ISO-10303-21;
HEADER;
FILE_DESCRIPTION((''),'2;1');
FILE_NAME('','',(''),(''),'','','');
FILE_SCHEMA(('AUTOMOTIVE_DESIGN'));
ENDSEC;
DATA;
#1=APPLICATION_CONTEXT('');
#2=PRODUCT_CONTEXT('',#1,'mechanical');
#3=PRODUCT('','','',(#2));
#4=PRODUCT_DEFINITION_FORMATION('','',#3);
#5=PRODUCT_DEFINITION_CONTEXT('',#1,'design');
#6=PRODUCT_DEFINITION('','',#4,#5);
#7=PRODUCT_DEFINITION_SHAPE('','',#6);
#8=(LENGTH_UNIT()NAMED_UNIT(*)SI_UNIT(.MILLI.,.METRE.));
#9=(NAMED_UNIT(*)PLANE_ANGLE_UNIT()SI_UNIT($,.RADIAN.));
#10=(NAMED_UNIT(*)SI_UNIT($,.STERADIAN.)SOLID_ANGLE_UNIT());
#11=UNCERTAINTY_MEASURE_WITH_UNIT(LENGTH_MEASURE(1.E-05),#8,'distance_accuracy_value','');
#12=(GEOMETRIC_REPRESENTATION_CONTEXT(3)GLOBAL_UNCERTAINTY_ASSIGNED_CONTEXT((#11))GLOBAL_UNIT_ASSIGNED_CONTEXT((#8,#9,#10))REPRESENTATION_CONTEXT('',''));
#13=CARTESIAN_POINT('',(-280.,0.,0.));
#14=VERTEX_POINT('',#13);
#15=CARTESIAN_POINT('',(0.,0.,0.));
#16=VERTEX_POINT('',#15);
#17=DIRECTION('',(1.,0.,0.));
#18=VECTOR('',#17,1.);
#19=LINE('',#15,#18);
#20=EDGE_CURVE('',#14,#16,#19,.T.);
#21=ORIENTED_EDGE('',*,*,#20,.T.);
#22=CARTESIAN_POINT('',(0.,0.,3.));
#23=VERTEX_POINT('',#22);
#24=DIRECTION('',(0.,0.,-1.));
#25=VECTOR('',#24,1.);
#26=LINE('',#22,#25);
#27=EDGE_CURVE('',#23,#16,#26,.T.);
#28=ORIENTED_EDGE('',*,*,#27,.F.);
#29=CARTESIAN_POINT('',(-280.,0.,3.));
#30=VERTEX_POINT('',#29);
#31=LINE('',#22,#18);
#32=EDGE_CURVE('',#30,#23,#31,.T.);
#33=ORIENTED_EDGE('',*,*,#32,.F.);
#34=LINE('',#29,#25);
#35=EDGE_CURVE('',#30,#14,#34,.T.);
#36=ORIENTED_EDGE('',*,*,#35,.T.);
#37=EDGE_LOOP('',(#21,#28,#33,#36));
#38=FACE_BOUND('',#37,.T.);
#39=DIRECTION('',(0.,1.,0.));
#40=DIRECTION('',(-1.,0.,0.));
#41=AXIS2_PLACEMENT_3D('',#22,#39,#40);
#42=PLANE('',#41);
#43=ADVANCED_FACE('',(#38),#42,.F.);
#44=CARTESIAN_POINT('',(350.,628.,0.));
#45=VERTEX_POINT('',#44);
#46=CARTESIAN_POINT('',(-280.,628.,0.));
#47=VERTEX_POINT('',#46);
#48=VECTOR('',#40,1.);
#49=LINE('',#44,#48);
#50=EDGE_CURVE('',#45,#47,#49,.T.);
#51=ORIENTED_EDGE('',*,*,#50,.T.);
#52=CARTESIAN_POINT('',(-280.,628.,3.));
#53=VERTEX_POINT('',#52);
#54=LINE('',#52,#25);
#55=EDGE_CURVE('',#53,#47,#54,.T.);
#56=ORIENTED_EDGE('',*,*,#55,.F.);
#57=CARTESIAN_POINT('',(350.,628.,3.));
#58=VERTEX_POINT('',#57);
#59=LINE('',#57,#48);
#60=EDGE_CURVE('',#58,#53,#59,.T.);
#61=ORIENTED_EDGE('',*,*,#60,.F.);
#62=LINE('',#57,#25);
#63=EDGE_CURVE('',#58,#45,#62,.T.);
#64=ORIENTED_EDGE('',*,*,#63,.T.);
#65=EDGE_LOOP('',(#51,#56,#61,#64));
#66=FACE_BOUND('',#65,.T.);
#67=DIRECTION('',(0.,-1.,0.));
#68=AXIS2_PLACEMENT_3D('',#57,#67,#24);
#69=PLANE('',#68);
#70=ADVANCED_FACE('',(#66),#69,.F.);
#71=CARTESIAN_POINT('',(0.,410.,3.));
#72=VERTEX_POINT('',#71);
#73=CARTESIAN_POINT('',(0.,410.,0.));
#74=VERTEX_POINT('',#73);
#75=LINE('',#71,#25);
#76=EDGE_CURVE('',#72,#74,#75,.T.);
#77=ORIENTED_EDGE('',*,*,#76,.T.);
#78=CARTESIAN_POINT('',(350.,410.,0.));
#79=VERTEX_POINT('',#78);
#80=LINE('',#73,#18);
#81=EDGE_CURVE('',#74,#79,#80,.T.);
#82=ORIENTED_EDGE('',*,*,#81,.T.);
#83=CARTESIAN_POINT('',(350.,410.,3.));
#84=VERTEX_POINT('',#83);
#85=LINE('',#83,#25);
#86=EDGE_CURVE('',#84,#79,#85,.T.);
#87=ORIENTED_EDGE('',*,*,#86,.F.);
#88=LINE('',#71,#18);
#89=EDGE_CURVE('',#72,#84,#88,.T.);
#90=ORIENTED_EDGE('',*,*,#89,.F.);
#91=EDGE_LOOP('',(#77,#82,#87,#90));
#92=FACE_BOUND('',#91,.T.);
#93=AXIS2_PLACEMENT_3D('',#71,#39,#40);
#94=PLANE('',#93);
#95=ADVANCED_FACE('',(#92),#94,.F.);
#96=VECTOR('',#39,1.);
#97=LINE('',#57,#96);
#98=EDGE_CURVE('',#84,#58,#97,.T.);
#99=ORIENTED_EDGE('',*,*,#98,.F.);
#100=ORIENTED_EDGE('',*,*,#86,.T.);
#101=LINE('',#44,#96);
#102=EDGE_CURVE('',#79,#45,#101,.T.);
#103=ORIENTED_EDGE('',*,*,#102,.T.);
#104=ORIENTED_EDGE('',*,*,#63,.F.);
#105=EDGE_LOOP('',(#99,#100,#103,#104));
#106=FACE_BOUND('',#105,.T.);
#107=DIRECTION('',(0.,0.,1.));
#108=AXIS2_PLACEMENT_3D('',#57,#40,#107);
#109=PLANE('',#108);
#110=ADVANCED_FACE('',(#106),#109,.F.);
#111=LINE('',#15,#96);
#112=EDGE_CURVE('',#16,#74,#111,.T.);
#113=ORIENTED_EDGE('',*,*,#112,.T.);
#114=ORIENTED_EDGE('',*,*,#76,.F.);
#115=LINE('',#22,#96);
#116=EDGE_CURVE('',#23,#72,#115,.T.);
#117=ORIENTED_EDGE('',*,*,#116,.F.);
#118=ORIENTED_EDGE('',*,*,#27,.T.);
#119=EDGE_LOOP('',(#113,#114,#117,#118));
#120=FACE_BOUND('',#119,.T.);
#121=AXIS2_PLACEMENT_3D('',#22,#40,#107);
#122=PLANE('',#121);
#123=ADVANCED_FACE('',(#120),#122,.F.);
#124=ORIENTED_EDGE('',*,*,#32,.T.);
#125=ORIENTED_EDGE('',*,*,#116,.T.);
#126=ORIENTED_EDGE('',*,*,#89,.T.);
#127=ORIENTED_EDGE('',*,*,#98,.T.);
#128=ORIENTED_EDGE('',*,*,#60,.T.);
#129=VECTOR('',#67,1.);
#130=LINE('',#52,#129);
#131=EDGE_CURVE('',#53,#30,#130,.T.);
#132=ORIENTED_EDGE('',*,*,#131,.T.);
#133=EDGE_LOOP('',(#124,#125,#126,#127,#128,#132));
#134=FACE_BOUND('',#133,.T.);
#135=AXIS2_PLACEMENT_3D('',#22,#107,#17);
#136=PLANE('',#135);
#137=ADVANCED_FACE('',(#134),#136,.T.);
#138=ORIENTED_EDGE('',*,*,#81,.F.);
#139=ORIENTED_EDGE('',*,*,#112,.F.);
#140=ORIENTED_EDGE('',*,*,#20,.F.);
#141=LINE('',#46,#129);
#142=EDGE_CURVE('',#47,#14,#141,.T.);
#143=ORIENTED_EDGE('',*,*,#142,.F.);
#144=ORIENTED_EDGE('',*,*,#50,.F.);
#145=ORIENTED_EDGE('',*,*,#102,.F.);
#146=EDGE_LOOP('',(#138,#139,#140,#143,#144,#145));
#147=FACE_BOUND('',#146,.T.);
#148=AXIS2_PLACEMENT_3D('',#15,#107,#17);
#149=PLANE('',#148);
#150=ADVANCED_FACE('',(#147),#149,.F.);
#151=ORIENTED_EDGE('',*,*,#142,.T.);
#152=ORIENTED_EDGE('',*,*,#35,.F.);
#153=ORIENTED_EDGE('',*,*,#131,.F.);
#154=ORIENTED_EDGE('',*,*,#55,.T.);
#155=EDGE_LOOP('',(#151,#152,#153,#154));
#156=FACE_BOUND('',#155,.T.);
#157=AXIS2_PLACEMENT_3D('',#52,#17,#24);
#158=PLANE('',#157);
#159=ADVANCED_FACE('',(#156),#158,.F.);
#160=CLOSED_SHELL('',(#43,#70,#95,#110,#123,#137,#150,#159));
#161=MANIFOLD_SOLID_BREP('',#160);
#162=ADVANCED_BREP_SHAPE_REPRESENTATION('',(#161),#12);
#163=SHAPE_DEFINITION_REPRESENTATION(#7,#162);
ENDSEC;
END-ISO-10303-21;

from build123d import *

# Parameters (mm, degrees)
BOSS_EXTRU_1_DEPTH = 3


with BuildPart() as part:
    # Esquisse1 → Boss.-Extru.1 (new body)
    with BuildSketch(Plane.XY):
        Polygon((350, 628), (-280, 628), (-280, 0), (0, 0), (0, 410), (350, 410), align=None)
    extrude(amount=BOSS_EXTRU_1_DEPTH)


solid = part.part
